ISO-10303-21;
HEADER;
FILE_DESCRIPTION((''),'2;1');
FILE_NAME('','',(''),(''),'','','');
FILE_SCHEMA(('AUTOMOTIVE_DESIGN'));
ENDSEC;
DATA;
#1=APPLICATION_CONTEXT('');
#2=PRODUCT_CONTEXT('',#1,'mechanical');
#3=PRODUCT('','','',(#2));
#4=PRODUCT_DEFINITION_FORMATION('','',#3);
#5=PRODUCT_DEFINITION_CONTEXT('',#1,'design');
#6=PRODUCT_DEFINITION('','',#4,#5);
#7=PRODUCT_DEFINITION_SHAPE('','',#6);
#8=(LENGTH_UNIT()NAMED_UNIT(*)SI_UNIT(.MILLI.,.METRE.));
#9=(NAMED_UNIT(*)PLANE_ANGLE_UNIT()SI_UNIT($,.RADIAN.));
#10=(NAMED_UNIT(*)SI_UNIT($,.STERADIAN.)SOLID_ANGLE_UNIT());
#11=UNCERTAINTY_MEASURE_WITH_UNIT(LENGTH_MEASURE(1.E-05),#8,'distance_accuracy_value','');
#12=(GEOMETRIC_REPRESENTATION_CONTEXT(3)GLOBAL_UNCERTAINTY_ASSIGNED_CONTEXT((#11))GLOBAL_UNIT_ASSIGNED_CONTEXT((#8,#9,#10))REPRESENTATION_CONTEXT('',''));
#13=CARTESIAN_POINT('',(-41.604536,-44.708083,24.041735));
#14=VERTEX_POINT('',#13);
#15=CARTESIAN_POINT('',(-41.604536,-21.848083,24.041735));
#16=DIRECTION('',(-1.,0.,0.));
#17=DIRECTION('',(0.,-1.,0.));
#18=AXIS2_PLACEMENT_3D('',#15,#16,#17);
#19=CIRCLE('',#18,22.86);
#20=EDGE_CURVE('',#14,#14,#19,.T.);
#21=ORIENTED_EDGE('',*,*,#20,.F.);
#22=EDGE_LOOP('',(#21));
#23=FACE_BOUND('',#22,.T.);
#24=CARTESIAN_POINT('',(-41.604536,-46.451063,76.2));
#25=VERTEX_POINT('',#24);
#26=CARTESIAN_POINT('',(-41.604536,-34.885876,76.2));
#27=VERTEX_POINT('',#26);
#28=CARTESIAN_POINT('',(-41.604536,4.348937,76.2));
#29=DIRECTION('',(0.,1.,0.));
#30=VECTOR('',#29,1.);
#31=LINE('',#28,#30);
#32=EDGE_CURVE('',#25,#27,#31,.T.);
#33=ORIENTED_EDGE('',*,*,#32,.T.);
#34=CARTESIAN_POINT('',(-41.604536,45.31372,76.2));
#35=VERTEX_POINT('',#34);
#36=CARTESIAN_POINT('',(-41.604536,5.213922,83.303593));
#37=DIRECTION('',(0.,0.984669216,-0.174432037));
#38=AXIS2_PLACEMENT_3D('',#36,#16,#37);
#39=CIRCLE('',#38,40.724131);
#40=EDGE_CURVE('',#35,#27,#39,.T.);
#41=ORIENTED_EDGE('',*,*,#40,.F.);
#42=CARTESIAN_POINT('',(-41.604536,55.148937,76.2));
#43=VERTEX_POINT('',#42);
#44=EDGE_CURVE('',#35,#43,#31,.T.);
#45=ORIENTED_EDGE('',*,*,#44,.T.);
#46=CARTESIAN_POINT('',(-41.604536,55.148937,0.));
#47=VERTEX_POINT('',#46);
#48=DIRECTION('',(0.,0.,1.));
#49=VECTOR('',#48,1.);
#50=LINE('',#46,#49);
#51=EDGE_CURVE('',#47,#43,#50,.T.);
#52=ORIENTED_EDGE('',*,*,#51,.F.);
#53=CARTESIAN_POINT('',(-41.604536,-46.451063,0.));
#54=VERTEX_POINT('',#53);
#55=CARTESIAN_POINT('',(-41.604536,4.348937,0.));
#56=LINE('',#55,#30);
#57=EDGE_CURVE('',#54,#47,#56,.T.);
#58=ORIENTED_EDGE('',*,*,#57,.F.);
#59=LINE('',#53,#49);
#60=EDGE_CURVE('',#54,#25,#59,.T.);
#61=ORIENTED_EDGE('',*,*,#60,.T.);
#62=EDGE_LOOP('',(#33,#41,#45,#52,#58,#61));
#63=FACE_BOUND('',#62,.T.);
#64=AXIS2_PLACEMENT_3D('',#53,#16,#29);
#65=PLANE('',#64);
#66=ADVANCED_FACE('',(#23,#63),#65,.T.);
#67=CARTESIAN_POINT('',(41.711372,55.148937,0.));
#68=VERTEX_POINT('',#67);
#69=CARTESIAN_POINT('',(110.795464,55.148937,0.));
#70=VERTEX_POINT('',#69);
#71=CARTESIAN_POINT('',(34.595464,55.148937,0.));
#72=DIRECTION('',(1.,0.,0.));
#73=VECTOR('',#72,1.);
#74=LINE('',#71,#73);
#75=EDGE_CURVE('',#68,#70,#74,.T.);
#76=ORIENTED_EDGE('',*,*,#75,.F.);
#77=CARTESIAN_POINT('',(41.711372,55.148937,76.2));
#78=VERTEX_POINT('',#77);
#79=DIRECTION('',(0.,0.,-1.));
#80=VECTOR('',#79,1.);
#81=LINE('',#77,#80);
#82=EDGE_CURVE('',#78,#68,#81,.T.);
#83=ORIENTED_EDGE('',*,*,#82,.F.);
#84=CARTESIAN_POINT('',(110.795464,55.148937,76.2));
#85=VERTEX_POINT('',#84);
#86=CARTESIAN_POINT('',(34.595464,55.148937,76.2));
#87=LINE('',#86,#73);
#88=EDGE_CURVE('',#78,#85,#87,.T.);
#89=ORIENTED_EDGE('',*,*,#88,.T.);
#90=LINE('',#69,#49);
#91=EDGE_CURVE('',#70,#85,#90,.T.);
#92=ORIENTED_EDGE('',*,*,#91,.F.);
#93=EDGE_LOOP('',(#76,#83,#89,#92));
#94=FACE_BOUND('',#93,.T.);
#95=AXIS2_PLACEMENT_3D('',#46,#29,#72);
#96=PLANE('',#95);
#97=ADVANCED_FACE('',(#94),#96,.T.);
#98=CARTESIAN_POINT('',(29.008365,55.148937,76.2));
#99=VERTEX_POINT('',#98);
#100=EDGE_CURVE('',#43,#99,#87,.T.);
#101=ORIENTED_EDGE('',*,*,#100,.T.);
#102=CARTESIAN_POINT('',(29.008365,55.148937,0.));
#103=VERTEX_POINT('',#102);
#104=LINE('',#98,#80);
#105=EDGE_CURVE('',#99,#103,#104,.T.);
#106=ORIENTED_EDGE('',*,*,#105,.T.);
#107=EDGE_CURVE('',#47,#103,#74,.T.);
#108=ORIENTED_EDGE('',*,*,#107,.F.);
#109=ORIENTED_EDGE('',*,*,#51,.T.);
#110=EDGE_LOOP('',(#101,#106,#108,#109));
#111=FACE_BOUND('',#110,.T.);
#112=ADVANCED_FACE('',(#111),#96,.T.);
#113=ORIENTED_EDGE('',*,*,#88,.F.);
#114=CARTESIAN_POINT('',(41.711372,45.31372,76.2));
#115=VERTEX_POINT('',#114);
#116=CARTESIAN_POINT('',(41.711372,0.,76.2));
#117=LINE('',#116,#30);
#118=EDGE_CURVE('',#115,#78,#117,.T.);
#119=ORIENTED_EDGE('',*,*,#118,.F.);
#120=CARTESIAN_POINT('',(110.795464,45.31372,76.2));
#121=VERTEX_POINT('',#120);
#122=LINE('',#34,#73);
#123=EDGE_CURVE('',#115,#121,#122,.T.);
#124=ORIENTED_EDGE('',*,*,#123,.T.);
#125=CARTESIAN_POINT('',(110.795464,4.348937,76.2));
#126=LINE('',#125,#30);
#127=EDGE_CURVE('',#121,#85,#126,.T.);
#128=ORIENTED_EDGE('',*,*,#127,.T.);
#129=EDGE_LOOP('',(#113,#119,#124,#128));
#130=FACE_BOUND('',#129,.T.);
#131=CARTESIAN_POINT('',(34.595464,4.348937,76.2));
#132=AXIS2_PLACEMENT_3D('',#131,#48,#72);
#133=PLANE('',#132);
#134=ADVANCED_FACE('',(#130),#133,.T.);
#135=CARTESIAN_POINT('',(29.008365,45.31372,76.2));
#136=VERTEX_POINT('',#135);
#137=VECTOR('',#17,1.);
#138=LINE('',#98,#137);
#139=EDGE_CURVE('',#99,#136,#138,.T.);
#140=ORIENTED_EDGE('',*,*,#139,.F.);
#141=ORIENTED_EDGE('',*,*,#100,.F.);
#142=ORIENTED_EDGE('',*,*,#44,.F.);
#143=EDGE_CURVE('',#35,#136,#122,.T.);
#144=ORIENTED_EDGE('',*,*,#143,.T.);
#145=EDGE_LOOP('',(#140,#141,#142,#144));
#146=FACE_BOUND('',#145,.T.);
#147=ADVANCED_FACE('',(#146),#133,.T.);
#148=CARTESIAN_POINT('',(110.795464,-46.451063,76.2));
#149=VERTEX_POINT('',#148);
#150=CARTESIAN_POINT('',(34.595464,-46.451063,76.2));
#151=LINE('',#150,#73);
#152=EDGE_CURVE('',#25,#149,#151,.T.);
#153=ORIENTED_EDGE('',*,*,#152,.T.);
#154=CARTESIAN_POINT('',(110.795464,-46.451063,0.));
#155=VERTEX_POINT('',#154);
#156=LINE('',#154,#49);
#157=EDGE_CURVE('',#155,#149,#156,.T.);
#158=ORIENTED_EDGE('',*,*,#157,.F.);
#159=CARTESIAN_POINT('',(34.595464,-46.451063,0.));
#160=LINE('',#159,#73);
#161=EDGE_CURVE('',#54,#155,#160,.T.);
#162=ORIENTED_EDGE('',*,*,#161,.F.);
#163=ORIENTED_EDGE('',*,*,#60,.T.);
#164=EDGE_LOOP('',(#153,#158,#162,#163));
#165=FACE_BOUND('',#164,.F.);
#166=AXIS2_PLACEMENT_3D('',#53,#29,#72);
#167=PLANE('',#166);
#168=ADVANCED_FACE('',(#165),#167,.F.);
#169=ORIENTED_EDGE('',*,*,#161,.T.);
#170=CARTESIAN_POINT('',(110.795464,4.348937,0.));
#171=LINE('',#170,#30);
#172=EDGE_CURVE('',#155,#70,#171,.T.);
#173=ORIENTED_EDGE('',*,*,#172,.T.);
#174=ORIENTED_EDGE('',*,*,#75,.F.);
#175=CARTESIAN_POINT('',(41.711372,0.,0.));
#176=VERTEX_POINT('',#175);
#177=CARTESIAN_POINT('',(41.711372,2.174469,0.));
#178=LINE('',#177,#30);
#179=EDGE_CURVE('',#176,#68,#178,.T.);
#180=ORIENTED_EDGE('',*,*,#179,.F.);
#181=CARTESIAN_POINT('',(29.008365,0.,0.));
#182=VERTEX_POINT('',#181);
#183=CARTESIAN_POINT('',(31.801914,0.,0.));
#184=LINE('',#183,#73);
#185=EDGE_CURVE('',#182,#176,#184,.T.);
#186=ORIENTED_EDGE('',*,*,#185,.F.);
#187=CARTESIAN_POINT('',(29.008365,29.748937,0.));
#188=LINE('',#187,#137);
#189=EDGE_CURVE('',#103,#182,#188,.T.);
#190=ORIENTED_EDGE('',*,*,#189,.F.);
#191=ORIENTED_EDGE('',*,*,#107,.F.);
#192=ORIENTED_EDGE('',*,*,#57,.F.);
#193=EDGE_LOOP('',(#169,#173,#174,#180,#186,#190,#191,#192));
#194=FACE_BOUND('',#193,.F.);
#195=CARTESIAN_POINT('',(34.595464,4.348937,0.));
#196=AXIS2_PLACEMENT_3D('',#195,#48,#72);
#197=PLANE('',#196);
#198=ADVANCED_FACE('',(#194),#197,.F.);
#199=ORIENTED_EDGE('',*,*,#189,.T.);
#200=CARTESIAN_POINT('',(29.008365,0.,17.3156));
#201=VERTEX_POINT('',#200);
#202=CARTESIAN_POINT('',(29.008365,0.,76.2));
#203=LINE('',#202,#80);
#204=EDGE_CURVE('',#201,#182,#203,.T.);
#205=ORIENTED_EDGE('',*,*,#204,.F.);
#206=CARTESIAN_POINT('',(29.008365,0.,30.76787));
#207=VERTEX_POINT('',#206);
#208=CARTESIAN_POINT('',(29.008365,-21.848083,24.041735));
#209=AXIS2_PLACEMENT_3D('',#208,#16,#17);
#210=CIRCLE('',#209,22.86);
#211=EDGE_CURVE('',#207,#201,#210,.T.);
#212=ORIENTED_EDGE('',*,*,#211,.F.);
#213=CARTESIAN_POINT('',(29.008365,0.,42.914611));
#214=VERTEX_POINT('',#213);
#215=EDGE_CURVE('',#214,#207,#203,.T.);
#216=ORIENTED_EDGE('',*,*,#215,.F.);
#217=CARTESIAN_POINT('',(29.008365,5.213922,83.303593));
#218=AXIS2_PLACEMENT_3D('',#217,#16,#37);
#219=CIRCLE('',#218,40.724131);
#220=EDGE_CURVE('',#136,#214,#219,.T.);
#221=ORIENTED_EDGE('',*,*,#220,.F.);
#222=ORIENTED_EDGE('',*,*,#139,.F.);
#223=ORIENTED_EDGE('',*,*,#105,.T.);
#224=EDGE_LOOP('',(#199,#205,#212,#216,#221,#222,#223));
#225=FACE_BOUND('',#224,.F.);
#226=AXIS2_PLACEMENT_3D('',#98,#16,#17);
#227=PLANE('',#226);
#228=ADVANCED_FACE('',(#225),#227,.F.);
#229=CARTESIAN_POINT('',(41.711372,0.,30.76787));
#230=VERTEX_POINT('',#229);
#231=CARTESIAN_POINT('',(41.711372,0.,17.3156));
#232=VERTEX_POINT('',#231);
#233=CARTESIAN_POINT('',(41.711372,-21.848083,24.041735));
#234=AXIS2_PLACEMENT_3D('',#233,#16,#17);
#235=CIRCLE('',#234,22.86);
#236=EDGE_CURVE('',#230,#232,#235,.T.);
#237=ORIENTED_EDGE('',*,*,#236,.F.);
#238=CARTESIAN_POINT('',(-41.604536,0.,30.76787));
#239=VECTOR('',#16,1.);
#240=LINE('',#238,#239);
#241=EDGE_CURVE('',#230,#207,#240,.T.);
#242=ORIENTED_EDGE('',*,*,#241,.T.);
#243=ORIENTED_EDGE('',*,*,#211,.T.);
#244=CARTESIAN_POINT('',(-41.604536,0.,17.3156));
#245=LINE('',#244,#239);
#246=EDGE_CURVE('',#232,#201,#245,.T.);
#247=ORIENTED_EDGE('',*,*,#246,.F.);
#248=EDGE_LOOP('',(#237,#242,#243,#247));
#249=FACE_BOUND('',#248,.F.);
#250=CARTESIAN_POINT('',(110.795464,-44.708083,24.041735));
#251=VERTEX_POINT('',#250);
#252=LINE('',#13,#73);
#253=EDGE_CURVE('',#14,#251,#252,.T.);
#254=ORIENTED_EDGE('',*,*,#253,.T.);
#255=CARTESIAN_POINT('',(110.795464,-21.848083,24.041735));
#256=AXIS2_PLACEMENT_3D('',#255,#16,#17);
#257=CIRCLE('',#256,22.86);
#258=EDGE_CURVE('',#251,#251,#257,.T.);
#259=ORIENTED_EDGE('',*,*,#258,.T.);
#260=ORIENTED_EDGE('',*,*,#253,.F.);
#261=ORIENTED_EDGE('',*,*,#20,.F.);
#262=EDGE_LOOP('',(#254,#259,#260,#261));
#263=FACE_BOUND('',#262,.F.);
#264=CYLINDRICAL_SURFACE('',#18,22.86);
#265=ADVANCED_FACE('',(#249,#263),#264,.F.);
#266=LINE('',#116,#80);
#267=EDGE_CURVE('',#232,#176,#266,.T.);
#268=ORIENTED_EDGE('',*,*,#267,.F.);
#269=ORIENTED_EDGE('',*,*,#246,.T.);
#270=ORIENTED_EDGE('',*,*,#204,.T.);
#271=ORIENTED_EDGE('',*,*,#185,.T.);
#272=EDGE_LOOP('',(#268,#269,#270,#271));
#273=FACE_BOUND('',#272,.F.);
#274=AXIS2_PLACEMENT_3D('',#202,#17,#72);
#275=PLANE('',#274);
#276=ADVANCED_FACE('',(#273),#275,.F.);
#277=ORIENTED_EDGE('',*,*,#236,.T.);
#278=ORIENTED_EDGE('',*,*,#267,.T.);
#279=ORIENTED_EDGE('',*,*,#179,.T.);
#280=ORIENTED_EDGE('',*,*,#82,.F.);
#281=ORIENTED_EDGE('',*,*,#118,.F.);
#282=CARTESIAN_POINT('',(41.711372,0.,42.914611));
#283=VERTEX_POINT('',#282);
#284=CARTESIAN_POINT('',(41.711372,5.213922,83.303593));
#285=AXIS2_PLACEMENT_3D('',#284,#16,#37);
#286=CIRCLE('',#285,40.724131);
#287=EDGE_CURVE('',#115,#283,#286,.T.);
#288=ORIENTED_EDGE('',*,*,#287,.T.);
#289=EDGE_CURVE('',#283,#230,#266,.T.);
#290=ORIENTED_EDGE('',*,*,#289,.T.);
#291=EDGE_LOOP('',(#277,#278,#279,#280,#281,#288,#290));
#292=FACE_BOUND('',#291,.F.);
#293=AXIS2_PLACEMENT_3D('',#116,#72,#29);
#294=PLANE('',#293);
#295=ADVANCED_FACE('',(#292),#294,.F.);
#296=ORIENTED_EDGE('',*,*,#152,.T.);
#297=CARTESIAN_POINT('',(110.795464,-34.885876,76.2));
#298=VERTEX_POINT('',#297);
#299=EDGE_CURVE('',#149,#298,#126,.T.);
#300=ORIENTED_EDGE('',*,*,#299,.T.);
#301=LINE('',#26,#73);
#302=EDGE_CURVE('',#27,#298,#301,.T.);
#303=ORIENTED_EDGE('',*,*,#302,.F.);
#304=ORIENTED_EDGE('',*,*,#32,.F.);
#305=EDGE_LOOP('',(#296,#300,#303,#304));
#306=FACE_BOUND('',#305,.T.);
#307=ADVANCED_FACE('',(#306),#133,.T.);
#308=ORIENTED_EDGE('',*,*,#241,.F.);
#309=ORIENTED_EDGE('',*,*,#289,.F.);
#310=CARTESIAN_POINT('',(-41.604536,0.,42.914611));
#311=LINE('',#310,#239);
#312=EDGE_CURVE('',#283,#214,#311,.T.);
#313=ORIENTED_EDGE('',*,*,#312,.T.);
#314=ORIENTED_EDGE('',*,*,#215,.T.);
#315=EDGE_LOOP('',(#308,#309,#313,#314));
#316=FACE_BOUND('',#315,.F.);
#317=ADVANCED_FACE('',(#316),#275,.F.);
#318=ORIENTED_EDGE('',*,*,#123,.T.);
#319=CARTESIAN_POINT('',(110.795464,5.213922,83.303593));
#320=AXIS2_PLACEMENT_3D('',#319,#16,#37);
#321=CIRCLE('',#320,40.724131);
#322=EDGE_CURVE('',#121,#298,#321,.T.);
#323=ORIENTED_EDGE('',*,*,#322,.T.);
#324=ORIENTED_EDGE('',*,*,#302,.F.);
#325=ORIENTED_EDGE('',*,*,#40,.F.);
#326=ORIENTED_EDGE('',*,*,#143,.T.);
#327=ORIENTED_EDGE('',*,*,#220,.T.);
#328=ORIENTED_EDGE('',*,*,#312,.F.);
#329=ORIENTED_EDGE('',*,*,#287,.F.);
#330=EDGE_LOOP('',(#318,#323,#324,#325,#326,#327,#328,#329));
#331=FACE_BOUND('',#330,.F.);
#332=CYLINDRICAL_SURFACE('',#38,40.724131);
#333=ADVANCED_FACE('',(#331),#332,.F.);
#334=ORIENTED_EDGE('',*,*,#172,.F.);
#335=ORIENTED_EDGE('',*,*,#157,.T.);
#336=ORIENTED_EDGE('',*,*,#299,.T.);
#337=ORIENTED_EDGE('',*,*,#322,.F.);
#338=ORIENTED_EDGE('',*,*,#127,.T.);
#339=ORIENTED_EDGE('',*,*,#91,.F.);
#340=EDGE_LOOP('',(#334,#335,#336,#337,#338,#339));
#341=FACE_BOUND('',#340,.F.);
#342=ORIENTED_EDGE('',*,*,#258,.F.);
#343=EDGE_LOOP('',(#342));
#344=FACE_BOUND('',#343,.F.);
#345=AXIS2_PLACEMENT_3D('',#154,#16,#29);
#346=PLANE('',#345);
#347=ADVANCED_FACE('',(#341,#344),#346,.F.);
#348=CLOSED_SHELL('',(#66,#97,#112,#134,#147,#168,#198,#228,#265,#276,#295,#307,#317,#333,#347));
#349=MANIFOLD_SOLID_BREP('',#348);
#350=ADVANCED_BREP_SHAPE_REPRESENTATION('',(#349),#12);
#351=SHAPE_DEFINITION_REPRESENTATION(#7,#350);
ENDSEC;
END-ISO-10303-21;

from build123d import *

# Parameters (mm, degrees)
F0_W     = 152.4
F0_H     = 101.6
F1_DEPTH = 76.2
F3_DEPTH = 152.654
F4_W     = 12.7030066214
F4_H     = 9.8352176327
F4_H_2   = 45.31371966
F5_DEPTH = 115.316
F6_R     = 22.86
F7_DEPTH = 193.04


with BuildPart() as f1:
    # F0 (on Top) → F1 (new body)
    with BuildSketch(Plane.XY):
        with Locations((34.5954637319, 4.3489372927)):
            Rectangle(F0_W, F0_H)
    extrude(amount=F1_DEPTH)

    # F2 (on face) → F3 (cut)
    with BuildSketch(Plane(origin=(-41.6045362681, 0, 0), x_dir=(0, -1, 0), z_dir=(-1, 0, 0))):
        with BuildLine():
            Line((34.8858758807, 76.2), (-45.31371966, 76.2))
            ThreePointArc((-45.31371966, 76.2), (-5.2139218897, 42.5794624331), (34.8858758807, 76.2))
        make_face()
    extrude(amount=-F3_DEPTH, mode=Mode.SUBTRACT)

    # F4 (on face) → F5 (cut)
    with BuildSketch(Plane.XY.offset(76.2)):
        with Locations((35.3598685469, 50.2313284764)):
            Rectangle(F4_W, F4_H)
        with Locations((35.3598685469, 22.65685983)):
            Rectangle(F4_W, F4_H_2)
    extrude(amount=-F5_DEPTH, mode=Mode.SUBTRACT)

    # F6 (on face) → F7 (cut)
    with BuildSketch(Plane(origin=(-41.6045362681, 0, 0), x_dir=(0, -1, 0), z_dir=(-1, 0, 0))):
        with Locations((21.8480825203, 24.0417348414)):
            Circle(F6_R)
    extrude(amount=-F7_DEPTH, mode=Mode.SUBTRACT)


solid = f1.part
